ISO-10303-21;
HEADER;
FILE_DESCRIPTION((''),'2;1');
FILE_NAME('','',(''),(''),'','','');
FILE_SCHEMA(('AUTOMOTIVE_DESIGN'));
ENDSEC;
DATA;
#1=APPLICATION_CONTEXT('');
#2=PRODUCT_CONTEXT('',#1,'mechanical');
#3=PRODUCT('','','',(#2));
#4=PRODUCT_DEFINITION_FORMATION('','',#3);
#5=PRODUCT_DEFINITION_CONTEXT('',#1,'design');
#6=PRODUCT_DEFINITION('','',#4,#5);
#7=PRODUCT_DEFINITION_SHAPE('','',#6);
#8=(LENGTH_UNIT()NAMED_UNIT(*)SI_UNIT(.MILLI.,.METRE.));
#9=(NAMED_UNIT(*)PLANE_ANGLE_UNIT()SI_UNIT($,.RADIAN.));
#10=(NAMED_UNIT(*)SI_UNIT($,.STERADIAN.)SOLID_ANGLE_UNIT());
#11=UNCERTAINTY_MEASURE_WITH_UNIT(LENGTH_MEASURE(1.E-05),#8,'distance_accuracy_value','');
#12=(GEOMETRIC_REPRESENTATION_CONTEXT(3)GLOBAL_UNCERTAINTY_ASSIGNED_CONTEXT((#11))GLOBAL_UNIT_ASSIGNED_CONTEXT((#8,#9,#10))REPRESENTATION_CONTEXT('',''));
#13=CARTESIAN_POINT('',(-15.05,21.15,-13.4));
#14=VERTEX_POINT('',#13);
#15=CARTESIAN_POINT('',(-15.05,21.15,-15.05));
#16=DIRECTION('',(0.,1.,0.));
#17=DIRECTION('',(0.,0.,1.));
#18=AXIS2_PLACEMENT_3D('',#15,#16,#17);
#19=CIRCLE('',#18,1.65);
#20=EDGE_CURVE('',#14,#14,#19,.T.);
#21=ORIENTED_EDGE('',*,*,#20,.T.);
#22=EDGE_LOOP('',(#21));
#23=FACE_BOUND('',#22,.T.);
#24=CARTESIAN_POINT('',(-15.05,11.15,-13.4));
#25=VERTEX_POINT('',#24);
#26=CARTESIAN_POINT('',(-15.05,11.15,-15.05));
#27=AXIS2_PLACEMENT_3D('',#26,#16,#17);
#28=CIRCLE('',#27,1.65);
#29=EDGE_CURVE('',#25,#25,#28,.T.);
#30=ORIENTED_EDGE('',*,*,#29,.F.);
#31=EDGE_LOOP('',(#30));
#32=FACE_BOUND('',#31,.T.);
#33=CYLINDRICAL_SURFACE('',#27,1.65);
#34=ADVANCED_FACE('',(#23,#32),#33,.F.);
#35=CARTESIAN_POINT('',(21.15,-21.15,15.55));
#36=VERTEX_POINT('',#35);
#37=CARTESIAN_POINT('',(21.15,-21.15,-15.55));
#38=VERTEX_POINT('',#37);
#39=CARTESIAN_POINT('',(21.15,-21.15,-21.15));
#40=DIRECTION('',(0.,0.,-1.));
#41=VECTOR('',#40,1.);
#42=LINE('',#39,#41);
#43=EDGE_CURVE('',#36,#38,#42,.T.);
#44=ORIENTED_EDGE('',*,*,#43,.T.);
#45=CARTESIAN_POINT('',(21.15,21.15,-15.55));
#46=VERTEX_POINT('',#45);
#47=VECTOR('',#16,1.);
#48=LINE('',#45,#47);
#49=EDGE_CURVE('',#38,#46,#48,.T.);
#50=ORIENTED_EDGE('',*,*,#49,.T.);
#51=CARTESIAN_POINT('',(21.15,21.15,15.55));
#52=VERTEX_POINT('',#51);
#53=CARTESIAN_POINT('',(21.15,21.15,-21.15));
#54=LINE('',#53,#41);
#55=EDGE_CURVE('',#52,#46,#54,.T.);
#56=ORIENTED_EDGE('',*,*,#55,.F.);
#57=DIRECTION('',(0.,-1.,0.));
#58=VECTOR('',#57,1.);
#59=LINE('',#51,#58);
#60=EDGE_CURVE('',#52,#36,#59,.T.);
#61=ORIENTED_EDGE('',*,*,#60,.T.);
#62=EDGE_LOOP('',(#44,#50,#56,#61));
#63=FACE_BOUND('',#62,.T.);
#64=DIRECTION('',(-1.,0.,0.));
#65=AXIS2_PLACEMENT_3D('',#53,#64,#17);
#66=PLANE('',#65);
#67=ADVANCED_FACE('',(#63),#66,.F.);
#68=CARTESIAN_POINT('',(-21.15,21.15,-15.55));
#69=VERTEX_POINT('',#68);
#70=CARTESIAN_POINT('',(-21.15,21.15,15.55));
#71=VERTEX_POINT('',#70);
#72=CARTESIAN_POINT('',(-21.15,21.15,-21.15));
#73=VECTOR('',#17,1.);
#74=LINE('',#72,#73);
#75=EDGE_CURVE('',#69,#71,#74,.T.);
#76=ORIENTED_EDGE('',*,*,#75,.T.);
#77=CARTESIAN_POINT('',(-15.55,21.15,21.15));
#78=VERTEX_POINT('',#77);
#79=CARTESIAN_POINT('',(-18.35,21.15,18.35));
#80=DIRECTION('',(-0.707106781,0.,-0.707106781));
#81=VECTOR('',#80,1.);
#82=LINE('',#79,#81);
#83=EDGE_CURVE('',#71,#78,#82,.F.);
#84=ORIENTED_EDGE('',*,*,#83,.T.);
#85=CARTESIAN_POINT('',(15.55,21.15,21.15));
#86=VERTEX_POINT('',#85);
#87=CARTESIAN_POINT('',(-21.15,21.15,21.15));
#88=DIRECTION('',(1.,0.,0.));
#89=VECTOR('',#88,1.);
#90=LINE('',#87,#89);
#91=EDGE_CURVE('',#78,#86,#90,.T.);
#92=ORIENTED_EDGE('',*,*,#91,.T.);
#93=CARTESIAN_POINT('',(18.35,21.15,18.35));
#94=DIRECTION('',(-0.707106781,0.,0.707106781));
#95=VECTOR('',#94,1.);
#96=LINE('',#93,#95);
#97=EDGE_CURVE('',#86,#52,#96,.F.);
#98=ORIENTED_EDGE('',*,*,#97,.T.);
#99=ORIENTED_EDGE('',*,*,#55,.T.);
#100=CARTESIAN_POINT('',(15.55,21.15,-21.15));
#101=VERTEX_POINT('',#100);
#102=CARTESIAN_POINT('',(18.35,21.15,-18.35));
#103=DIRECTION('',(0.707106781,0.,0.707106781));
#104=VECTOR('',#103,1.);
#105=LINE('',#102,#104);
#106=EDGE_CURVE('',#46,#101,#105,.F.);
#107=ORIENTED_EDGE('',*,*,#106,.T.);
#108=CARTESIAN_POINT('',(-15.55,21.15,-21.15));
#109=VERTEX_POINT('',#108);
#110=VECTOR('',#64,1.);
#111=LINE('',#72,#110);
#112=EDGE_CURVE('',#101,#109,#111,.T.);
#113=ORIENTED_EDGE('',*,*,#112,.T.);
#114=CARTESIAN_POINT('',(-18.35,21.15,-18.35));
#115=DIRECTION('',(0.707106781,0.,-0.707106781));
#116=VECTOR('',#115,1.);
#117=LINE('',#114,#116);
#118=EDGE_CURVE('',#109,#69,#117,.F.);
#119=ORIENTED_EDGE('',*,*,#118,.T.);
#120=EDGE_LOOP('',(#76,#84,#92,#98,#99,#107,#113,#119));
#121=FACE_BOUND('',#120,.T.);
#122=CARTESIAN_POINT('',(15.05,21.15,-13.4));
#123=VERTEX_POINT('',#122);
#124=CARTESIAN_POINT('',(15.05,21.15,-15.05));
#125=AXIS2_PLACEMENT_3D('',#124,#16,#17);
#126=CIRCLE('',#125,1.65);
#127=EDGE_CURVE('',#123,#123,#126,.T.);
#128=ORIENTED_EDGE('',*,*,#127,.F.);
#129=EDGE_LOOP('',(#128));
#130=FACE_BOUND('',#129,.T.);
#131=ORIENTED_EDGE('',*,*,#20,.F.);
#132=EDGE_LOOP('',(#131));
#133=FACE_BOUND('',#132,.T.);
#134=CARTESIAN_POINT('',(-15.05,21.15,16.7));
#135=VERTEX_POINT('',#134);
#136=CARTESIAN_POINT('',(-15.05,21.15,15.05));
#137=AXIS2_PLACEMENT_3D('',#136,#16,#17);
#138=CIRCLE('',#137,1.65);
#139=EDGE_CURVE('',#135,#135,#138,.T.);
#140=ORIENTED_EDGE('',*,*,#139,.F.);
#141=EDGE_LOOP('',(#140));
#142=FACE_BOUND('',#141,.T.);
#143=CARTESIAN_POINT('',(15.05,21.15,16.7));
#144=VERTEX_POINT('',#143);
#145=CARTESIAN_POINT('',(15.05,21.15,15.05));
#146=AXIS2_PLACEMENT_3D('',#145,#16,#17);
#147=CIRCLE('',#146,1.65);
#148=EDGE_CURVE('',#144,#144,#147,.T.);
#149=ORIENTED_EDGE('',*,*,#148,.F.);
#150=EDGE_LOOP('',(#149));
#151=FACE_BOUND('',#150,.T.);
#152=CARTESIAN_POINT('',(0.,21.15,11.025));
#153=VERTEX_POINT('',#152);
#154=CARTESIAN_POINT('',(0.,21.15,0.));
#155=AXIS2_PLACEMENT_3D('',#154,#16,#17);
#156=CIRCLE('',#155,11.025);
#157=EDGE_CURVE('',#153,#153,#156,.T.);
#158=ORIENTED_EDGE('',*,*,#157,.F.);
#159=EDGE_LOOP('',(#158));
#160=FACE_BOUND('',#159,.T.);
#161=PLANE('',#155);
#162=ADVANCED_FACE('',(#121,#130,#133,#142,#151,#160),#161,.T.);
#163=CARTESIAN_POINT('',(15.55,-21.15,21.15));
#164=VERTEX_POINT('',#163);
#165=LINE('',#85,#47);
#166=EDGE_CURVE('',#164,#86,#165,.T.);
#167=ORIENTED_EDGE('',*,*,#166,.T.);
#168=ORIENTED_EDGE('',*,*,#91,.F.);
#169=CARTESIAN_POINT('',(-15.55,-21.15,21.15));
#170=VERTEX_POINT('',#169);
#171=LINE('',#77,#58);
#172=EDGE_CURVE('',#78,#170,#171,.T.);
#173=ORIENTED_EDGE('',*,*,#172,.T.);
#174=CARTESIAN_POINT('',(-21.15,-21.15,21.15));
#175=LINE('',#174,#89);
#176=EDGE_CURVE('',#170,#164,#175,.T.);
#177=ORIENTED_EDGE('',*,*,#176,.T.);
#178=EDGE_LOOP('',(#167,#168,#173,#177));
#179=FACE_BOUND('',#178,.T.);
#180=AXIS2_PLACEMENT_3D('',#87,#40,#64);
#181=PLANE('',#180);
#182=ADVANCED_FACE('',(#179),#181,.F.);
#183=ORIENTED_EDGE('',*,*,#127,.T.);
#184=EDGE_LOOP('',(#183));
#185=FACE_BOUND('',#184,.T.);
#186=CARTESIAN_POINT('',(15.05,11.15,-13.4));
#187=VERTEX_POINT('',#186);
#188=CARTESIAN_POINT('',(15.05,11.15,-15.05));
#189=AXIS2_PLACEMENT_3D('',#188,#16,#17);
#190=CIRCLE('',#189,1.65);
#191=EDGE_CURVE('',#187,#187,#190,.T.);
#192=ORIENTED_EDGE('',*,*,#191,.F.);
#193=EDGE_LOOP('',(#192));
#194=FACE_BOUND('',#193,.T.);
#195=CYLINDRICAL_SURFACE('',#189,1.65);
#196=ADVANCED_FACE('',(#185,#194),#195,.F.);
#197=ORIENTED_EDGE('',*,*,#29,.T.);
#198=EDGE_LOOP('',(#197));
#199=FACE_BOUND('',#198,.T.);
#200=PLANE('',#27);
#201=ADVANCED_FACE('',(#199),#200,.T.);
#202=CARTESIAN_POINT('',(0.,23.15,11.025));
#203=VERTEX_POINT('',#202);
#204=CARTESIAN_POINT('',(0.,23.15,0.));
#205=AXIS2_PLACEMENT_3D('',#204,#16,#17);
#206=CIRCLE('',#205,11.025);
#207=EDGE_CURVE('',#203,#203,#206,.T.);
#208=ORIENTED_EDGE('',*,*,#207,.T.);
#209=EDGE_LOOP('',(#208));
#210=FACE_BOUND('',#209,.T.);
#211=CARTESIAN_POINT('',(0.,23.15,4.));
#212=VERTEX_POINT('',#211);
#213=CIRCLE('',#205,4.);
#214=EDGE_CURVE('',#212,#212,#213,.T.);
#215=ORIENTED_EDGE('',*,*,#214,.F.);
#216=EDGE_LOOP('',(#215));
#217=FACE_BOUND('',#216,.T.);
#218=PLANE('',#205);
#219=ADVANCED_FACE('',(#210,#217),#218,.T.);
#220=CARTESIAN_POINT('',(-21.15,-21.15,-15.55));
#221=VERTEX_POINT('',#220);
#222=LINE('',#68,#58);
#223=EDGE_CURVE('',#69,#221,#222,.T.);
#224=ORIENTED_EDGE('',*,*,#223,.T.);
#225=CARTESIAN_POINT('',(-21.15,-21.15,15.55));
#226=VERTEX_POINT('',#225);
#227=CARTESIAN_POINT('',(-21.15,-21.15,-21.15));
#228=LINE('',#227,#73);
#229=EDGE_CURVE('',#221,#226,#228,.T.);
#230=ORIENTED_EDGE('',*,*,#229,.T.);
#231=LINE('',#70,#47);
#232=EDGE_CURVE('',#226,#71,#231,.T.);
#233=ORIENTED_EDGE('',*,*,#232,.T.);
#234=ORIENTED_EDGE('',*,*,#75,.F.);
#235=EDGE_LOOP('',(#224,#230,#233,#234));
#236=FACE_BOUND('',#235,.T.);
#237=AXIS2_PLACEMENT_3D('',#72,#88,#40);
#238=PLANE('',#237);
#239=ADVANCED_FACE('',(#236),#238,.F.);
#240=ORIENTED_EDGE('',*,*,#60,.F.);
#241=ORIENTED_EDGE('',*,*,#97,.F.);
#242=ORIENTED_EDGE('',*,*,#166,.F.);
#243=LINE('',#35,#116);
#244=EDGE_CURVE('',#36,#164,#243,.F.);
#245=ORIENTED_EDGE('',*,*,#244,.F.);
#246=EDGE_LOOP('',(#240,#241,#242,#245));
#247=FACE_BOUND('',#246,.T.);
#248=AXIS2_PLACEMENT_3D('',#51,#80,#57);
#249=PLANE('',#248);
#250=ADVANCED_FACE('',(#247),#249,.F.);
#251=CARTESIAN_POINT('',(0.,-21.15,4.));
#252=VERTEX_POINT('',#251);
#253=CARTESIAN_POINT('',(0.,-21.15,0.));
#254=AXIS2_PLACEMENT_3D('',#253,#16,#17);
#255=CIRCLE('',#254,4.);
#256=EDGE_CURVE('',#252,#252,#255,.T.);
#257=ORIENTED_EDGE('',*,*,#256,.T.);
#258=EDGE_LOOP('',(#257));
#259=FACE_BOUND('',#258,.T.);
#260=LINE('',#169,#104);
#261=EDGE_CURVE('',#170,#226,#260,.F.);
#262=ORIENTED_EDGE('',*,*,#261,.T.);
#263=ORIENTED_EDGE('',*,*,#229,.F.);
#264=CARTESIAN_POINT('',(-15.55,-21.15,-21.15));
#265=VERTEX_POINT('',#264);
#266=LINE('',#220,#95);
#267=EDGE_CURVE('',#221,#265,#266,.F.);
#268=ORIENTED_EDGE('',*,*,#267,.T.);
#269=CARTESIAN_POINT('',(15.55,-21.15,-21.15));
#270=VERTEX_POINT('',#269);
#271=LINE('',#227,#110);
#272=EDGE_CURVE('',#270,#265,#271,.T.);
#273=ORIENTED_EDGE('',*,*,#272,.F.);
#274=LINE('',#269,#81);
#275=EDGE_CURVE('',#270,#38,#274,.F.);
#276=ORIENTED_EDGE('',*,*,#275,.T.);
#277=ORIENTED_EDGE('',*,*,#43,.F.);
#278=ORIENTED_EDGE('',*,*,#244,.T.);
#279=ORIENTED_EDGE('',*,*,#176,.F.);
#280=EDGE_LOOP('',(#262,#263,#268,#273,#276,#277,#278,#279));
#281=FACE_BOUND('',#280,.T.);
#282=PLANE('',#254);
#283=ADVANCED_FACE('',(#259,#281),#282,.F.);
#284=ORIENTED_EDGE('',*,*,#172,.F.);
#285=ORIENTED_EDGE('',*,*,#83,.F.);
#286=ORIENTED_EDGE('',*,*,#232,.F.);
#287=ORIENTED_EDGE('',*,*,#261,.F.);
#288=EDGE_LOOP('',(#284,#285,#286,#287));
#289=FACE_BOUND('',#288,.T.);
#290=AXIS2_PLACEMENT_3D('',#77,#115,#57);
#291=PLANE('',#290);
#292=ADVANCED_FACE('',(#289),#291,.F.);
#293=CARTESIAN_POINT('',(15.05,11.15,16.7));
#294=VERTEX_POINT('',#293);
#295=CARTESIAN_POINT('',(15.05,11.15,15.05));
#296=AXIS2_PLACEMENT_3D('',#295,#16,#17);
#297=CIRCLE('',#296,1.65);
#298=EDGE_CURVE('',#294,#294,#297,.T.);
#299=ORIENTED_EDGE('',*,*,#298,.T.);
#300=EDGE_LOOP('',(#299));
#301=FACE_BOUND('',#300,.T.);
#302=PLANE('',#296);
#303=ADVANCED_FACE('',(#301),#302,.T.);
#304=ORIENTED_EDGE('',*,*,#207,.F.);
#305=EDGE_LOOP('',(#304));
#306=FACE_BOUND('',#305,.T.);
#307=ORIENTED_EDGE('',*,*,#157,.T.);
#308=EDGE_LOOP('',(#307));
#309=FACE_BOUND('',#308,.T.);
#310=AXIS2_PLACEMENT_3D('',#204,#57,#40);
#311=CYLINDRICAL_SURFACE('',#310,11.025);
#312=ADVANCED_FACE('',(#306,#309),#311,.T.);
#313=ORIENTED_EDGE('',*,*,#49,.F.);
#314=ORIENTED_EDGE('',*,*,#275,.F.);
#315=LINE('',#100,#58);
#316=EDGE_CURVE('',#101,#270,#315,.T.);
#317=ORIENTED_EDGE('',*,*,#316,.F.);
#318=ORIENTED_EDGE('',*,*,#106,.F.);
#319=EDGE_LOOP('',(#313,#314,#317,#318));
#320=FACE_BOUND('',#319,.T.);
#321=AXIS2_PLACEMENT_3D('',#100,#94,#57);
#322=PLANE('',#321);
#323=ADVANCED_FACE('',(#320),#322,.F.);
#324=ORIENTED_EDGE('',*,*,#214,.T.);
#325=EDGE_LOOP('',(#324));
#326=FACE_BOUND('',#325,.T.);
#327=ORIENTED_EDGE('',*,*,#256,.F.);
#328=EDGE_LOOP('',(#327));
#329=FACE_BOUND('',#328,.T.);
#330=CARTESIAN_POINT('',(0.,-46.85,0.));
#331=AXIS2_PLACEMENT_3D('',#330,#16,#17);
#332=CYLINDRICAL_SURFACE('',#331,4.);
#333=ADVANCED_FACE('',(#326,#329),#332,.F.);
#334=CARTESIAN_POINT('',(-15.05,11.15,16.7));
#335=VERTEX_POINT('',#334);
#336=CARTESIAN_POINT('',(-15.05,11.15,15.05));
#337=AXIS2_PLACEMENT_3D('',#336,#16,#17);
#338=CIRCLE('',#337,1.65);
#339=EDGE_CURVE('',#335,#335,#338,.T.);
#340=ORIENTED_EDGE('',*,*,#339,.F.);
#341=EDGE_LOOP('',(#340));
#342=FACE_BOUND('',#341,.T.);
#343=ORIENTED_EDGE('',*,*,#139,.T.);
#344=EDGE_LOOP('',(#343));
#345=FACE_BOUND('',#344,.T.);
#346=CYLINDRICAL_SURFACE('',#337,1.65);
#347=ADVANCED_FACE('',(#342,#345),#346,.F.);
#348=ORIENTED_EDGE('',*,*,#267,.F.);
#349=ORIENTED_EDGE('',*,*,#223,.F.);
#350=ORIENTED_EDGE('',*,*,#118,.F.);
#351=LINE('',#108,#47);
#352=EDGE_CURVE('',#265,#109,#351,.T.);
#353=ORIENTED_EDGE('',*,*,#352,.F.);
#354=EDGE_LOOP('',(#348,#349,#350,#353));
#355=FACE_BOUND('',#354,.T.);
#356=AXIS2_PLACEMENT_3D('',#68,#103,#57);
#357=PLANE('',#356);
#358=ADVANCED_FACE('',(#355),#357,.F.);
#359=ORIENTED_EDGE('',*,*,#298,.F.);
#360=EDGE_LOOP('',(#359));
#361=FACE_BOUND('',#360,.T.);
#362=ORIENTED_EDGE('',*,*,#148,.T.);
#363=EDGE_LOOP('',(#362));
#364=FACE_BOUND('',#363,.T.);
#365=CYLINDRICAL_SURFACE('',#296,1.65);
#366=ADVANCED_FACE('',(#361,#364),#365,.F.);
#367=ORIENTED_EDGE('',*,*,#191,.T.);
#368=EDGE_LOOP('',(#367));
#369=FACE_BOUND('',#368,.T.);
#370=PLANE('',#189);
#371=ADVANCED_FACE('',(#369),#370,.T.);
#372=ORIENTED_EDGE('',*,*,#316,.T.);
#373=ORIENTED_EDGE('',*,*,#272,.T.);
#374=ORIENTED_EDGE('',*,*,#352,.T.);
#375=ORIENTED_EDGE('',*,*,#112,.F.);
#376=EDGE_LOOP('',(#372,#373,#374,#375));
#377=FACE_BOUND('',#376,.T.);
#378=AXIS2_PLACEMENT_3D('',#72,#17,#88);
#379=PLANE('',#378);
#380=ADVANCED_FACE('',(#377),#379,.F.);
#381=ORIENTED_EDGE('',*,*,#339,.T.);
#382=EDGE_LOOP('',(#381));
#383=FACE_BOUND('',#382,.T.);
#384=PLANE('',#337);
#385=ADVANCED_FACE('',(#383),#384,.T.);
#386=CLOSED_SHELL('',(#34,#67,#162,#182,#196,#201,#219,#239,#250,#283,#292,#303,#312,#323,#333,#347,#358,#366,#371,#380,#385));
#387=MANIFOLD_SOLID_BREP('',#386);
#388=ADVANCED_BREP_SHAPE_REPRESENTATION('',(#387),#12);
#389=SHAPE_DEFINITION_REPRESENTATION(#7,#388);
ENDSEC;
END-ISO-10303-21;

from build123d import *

# Parameters (mm, degrees)
ESBO_O1_W                = 42.3
ESBO_O1_H                = 42.3
RESSALTO_EXTRUS_O1_DEPTH = 21.15
ESBO_O2_R                = 11.025
RESSALTO_EXTRUS_O2_DEPTH = 2
CHANFRO1_SIZE            = 5.6
ESBO_O4_R                = 1.65
CORTE_EXTRUS_O1_DEPTH    = 10
ESBO_O3_R                = 4
CORTE_EXTRUS_O2_DEPTH    = 70


with BuildPart() as part:
    # Esboço1 → Ressalto-extrusão1 (new body, symmetric)
    with BuildSketch(Plane(origin=(0, 0, 0), x_dir=(1, 0, 0), z_dir=(0, 1, 0))):
        Rectangle(ESBO_O1_W, ESBO_O1_H)
    extrude(amount=RESSALTO_EXTRUS_O1_DEPTH, both=True)

    # Esboço2 → Ressalto-extrusão2 (add)
    with BuildSketch(Plane(origin=(0, 21.15, 0), x_dir=(1, 0, 0), z_dir=(0, 1, 0))):
        Circle(ESBO_O2_R)
    extrude(amount=RESSALTO_EXTRUS_O2_DEPTH)

    # Chanfro1
    chanfro1_edges = [part.edges().sort_by_distance(p)[0] for p in [
        (21.15, 0, 21.15),
        (-21.15, 0, 21.15),
        (-21.15, 0, -21.15),
        (21.15, 0, -21.15),
    ]]
    chamfer(chanfro1_edges, length=CHANFRO1_SIZE)

    # Esboço4 → Corte-extrusão1 (cut)
    with BuildSketch(Plane(origin=(0, 21.15, 0), x_dir=(1, 0, 0), z_dir=(0, 1, 0))):
        with Locations((-15.05, 15.05)):
            Circle(ESBO_O4_R)
        with Locations((15.05, 15.05)):
            Circle(ESBO_O4_R)
        with Locations((15.05, -15.05)):
            Circle(ESBO_O4_R)
        with Locations((-15.05, -15.05)):
            Circle(ESBO_O4_R)
    extrude(amount=-CORTE_EXTRUS_O1_DEPTH, mode=Mode.SUBTRACT)

    # Esboço3 → Corte-extrusão2 (cut)
    with BuildSketch(Plane(origin=(0, 23.15, 0), x_dir=(1, 0, 0), z_dir=(0, 1, 0))):
        Circle(ESBO_O3_R)
    extrude(amount=-CORTE_EXTRUS_O2_DEPTH, mode=Mode.SUBTRACT)


solid = part.part
